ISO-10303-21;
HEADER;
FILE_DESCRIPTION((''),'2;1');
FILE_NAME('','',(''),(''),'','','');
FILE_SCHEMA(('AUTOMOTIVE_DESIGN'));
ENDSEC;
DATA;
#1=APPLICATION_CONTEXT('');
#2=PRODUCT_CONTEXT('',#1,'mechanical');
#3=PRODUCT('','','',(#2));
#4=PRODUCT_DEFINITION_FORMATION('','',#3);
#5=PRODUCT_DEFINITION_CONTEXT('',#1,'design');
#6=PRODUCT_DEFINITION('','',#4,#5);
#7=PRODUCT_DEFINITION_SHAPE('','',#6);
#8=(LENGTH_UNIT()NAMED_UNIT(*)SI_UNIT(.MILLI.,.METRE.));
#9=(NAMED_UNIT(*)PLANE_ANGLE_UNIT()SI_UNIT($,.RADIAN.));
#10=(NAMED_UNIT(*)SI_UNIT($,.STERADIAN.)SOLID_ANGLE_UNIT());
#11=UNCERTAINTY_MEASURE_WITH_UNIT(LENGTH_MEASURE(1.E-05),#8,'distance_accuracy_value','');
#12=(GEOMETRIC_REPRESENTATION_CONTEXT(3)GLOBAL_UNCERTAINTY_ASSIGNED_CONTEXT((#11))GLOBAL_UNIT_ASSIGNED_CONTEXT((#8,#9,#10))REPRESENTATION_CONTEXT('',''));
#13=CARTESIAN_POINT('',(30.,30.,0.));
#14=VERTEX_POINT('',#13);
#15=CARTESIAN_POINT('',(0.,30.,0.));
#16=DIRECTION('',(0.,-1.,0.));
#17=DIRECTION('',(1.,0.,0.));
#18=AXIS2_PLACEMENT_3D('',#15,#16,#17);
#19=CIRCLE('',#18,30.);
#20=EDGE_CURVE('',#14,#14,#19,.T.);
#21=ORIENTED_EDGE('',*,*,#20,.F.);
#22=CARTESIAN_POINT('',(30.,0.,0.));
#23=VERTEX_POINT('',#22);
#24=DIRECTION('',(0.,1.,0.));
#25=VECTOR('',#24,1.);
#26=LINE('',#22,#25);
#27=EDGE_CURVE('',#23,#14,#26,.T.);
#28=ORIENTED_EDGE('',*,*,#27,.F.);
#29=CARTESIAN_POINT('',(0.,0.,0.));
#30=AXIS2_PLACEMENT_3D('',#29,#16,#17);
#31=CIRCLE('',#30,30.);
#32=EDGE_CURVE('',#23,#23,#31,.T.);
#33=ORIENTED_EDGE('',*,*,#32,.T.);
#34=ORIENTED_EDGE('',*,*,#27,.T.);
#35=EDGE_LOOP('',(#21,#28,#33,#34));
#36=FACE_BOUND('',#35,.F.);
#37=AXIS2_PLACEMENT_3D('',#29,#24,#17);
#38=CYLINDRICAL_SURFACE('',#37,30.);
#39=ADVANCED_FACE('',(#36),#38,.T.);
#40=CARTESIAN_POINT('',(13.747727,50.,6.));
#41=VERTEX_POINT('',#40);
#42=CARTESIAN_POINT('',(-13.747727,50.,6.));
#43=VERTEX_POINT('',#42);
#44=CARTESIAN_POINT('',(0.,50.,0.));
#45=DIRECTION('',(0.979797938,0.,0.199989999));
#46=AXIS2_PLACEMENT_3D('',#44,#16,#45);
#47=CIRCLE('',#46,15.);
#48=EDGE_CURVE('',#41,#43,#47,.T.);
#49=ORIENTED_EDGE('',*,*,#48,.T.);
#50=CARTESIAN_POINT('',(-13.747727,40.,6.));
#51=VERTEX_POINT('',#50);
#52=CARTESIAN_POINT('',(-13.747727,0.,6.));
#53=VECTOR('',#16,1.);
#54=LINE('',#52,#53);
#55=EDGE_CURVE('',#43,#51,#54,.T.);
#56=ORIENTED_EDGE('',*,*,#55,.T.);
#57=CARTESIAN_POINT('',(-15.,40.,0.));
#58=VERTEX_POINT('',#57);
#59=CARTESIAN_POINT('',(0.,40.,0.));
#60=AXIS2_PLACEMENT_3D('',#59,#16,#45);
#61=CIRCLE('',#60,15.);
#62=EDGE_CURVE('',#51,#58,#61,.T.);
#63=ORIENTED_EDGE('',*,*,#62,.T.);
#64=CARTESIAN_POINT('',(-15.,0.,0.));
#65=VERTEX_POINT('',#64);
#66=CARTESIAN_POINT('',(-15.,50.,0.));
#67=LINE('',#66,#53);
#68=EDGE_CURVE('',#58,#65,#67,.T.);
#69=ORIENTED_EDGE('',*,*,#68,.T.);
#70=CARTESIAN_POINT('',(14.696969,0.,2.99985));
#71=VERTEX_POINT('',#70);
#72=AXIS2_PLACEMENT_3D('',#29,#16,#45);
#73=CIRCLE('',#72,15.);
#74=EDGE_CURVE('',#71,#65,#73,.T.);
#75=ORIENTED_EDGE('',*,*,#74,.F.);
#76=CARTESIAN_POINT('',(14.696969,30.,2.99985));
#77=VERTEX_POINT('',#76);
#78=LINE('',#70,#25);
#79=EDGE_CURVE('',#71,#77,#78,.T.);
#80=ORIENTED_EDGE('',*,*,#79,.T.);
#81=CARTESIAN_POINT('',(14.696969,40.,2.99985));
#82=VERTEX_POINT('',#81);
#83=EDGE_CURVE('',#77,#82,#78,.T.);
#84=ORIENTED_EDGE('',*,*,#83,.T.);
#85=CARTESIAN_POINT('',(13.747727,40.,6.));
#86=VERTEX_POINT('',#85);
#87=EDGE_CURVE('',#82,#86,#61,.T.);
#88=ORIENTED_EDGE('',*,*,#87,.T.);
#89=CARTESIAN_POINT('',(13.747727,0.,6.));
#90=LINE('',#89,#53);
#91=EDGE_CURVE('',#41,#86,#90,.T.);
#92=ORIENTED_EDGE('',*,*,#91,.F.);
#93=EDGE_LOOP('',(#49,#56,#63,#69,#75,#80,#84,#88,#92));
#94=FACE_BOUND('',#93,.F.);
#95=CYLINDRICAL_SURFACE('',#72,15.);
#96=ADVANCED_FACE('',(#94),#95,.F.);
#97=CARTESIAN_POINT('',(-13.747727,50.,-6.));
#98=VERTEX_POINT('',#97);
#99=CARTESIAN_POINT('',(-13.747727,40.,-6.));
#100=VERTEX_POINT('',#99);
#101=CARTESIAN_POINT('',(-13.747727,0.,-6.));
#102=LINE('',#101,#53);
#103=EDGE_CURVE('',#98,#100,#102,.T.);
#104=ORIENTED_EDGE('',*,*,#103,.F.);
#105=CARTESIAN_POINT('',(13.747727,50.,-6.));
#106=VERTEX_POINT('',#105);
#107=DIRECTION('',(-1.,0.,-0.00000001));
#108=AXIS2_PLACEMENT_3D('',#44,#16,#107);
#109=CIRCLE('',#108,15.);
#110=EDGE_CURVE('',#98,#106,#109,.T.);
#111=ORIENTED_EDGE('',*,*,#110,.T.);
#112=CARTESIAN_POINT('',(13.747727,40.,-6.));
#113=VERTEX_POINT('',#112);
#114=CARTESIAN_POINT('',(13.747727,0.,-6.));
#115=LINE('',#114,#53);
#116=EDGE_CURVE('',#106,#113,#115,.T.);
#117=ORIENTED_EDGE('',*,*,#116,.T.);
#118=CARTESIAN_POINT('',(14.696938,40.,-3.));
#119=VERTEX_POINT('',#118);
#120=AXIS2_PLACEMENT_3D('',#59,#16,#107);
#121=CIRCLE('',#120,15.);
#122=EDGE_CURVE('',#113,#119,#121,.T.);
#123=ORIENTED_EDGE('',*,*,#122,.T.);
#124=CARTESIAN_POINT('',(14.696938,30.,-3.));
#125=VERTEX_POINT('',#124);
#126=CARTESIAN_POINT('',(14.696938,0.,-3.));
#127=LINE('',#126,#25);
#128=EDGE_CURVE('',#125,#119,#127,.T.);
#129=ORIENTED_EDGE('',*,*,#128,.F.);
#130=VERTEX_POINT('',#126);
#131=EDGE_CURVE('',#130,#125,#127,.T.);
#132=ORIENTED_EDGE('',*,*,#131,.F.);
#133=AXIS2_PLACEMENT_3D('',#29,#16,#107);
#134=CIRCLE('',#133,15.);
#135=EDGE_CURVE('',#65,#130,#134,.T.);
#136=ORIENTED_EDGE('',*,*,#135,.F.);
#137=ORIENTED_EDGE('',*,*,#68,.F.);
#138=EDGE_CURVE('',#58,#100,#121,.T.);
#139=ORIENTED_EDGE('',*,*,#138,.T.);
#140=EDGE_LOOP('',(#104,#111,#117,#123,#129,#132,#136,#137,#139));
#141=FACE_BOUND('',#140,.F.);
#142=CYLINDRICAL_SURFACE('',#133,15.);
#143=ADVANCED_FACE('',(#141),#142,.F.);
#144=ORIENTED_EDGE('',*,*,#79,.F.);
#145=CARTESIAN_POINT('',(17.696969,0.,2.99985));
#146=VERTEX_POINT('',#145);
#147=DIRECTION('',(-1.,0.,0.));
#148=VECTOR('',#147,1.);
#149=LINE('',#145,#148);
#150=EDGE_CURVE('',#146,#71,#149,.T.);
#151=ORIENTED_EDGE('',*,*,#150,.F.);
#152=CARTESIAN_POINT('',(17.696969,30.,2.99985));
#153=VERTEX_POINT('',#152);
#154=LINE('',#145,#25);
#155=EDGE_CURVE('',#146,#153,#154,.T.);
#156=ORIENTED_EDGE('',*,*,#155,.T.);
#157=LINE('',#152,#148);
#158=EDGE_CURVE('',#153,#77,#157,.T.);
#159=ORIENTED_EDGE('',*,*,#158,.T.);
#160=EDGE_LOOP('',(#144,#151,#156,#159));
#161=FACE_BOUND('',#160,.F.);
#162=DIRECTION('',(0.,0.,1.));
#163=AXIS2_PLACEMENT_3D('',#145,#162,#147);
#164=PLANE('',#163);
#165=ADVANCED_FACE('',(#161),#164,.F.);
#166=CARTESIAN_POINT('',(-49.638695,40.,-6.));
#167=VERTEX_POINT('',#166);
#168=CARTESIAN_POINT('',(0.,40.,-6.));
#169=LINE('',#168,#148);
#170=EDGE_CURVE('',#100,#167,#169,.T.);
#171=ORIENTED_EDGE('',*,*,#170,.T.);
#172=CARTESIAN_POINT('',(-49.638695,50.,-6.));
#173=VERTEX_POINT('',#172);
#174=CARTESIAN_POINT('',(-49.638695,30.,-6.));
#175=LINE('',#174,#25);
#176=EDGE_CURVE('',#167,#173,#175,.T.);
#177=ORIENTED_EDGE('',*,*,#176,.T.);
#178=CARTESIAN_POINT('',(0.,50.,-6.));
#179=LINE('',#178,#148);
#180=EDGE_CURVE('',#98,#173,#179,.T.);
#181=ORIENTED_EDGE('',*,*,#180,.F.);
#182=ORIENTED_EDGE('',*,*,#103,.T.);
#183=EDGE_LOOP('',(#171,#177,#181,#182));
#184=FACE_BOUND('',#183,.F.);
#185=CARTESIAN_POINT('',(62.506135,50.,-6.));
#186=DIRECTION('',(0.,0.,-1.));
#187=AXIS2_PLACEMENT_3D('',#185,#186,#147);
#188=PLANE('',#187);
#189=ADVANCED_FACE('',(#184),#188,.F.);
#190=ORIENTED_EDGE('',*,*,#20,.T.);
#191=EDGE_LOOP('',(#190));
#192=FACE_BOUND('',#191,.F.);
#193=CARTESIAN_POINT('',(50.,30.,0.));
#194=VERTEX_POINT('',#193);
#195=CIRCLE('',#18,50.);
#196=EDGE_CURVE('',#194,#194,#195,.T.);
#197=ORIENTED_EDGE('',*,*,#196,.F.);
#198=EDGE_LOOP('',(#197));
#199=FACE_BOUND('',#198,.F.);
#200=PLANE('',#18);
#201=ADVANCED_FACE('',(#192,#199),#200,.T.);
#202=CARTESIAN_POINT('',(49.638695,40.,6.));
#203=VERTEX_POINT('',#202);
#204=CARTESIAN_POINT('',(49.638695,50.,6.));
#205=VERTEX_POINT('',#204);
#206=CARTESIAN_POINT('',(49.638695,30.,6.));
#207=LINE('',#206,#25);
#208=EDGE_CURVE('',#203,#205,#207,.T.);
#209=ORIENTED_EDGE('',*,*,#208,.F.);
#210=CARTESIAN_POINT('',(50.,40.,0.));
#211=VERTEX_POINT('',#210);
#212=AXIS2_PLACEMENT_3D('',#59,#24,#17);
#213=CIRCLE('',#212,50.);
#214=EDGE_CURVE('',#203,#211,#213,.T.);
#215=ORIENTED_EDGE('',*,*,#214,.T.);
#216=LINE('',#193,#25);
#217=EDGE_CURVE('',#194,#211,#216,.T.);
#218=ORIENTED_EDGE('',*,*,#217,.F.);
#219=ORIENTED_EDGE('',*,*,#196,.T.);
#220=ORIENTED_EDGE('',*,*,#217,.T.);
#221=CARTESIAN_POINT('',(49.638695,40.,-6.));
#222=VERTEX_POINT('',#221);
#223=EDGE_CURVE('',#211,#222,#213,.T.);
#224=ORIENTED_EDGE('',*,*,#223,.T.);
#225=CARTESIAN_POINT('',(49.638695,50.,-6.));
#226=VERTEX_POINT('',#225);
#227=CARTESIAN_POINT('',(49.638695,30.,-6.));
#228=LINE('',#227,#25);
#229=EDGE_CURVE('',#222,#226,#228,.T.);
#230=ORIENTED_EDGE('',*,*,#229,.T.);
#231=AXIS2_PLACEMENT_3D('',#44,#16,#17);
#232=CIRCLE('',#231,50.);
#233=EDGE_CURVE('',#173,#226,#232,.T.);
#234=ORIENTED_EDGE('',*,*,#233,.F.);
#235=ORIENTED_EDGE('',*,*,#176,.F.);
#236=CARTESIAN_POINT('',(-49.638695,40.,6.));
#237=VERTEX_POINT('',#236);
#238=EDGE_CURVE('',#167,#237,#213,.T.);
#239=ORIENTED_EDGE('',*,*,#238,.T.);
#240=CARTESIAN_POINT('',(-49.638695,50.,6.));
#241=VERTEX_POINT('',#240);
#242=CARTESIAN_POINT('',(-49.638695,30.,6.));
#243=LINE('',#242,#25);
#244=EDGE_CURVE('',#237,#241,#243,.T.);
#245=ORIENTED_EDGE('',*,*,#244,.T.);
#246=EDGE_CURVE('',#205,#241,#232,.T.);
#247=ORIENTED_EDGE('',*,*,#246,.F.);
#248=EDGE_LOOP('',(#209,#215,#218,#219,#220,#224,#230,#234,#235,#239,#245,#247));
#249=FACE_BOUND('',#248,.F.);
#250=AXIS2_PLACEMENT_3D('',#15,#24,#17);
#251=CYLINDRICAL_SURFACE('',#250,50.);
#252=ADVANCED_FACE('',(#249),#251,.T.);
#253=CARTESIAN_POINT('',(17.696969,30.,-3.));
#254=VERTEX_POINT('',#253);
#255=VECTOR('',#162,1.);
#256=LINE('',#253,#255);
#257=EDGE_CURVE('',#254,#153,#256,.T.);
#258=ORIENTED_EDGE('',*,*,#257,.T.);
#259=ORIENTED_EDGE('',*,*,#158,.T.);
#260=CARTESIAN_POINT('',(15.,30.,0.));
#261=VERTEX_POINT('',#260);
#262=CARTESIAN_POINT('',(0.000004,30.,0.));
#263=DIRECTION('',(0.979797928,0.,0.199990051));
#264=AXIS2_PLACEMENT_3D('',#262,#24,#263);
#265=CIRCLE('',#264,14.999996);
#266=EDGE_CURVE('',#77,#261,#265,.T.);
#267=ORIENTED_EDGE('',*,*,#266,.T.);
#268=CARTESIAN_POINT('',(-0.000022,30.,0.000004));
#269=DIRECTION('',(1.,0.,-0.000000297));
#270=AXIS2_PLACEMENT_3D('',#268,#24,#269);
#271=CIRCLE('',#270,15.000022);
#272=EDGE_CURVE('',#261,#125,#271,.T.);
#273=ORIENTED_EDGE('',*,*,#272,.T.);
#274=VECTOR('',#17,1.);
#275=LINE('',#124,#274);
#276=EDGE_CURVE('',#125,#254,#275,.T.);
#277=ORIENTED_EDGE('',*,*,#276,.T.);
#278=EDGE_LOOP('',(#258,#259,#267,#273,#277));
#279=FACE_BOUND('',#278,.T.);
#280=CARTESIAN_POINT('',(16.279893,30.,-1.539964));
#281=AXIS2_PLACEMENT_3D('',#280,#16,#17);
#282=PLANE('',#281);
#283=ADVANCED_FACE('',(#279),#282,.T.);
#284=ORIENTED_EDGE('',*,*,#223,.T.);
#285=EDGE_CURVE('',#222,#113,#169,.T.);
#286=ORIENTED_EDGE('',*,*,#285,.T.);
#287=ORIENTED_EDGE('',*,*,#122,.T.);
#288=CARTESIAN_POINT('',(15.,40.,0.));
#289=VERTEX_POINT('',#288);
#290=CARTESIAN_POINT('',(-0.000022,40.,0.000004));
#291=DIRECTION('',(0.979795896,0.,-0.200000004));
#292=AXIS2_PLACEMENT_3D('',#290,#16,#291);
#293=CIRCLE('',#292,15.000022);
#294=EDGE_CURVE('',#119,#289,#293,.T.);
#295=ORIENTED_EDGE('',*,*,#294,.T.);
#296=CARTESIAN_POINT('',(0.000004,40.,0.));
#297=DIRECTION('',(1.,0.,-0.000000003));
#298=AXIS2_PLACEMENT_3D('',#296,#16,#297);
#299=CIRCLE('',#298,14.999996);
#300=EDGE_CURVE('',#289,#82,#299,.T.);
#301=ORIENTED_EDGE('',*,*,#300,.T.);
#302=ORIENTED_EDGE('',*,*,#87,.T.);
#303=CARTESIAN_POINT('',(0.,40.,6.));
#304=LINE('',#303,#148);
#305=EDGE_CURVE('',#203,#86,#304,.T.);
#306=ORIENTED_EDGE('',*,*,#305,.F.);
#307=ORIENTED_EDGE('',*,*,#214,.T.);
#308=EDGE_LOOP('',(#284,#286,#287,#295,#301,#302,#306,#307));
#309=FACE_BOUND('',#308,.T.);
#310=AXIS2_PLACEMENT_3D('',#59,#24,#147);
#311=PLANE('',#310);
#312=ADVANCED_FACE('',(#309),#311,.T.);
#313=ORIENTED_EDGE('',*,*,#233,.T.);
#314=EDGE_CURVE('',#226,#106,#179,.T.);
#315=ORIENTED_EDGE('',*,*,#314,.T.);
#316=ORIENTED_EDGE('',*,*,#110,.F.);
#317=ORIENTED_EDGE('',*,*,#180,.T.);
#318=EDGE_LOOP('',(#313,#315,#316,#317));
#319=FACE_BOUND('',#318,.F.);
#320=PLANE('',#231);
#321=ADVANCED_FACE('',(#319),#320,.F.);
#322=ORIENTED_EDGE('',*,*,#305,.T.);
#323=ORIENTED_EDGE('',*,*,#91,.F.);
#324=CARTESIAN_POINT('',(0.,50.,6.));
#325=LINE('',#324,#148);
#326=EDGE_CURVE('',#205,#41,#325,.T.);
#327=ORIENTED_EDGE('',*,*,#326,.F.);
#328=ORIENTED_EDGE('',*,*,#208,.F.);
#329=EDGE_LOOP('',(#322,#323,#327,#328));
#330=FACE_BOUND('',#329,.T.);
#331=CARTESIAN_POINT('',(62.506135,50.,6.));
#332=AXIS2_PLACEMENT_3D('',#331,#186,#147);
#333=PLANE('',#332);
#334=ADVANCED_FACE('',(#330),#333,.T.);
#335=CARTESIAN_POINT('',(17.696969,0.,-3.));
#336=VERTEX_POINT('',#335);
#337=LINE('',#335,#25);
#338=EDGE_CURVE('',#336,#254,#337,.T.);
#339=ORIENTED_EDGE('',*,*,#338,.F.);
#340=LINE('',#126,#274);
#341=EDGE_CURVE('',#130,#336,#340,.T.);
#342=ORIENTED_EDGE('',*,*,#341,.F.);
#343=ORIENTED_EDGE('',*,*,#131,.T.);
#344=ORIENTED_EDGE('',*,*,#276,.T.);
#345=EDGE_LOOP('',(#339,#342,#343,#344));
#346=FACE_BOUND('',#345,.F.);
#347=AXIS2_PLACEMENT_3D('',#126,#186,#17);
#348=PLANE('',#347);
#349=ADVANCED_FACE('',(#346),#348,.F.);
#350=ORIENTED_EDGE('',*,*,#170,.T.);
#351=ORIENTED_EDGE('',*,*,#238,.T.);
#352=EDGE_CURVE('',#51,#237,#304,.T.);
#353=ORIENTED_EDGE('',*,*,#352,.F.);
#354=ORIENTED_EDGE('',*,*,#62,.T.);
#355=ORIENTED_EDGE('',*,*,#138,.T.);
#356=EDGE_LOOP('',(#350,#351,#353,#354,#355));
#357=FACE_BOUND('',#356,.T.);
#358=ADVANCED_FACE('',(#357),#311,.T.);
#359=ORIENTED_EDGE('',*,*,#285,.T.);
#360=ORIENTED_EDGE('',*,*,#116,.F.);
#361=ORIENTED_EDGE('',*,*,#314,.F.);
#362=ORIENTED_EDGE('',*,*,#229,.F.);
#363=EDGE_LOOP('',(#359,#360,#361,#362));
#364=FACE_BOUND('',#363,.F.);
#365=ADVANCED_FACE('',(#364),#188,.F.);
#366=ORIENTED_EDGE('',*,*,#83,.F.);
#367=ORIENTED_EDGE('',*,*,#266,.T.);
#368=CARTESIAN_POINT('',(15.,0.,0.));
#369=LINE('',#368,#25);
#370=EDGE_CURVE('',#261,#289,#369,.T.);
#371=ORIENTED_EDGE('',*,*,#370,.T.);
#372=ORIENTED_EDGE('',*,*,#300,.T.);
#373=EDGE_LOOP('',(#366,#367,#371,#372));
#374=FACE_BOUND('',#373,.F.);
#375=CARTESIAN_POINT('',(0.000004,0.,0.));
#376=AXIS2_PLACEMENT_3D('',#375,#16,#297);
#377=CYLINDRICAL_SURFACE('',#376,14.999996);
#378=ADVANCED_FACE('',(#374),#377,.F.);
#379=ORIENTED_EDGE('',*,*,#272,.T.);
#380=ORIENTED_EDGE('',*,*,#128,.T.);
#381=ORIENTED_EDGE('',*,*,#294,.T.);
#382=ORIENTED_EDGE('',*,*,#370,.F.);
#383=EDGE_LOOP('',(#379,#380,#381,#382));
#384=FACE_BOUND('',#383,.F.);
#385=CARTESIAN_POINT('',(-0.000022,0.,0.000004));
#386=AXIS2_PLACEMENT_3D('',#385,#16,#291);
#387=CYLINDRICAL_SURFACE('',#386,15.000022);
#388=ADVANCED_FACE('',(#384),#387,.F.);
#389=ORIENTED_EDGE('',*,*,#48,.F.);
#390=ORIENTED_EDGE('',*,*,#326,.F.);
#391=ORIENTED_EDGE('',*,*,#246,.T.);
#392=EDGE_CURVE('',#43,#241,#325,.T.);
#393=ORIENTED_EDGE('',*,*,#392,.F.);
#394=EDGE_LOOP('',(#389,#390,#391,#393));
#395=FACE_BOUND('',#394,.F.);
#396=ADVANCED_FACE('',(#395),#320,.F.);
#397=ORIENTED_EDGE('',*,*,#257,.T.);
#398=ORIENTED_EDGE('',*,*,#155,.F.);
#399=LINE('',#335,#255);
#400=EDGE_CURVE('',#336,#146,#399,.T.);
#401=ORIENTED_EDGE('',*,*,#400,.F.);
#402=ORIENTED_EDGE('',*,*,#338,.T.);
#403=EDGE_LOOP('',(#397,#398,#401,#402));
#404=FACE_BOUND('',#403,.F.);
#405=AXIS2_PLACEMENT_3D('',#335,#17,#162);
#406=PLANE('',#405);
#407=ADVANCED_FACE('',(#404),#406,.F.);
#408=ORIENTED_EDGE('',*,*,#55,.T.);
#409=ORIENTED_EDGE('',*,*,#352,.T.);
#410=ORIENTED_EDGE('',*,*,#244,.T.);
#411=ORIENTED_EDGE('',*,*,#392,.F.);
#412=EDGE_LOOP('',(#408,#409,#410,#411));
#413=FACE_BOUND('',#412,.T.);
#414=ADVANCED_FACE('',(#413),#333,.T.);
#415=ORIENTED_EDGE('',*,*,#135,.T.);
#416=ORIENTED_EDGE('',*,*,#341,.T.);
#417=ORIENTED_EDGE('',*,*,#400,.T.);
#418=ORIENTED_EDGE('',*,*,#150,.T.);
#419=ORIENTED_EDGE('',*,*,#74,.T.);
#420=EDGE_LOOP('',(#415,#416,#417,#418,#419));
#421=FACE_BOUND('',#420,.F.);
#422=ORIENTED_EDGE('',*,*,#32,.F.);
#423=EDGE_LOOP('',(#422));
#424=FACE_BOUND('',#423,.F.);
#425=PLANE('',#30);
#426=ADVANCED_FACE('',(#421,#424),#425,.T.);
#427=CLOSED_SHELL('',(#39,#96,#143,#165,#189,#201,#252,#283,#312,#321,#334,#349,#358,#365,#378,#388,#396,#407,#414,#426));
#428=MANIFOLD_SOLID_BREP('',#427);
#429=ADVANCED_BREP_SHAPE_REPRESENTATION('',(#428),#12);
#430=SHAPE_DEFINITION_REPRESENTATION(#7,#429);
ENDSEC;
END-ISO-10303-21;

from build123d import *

# Parameters (mm, degrees)
F3_DEPTH = 50.001
F4_DEPTH = 30
F5_W     = 125.01227
F5_H     = 12
F6_DEPTH = 10


with BuildPart() as f1:
    # F0 (on Top) → F1 (revolve)
    with BuildSketch(Plane.XY):
        Polygon((0, 50), (0, 0), (30, 0), (30, 30), (50, 30), (50, 50), align=None)
    revolve(axis=Axis((0, 25, 0), (0, -1, 0)))

    # F2 (on face) → F3 (cut, through all)
    with BuildSketch(Plane.XZ):
        with BuildLine():
            Line((9.729625, 0), (15, 0))
            ThreePointArc((15, 0), (14.92405, 1.507558), (14.696969, 2.99985))
            Line((14.696969, 2.99985), (9.649316, 2.99985))
            Line((9.649316, 2.99985), (9.729625, 0))
        make_face()
        with BuildLine():
            ThreePointArc((-15, 0), (-1.507634, -14.924042), (14.696938, -3))
            Line((14.696938, -3), (9.809938, -3))
            Line((9.809938, -3), (9.729625, 0))
            Line((9.729625, 0), (-15, 0))
        make_face()
        with BuildLine():
            ThreePointArc((14.696938, -3), (14.924042, -1.507634), (15, 0))
            Line((15, 0), (9.729625, 0))
            Line((9.729625, 0), (9.809938, -3))
            Line((9.809938, -3), (14.696938, -3))
        make_face()
        with BuildLine():
            Line((9.649316, 2.99985), (14.696969, 2.99985))
            ThreePointArc((14.696969, 2.99985), (-1.507558, 14.92405), (-15, 0))
            Line((-15, 0), (9.729625, 0))
            Line((9.729625, 0), (9.649316, 2.99985))
        make_face()
    extrude(amount=-F3_DEPTH, mode=Mode.SUBTRACT)

    # F2 (on face) → F4 (cut)
    with BuildSketch(Plane.XZ):
        with BuildLine():
            Line((17.696969, 0), (15, 0))
            ThreePointArc((15, 0), (14.924042, -1.507634), (14.696938, -3))
            Line((14.696938, -3), (17.696969, -3))
            Line((17.696969, -3), (17.696969, 0))
        make_face()
        with BuildLine():
            ThreePointArc((14.696969, 2.99985), (14.92405, 1.507558), (15, 0))
            Line((15, 0), (17.696969, 0))
            Line((17.696969, 0), (17.696969, 2.99985))
            Line((17.696969, 2.99985), (14.696969, 2.99985))
        make_face()
        with BuildLine():
            Line((9.649316, 2.99985), (14.696969, 2.99985))
            ThreePointArc((14.696969, 2.99985), (-1.507558, 14.92405), (-15, 0))
            Line((-15, 0), (9.729625, 0))
            Line((9.729625, 0), (9.649316, 2.99985))
        make_face()
        with BuildLine():
            ThreePointArc((-15, 0), (-1.507634, -14.924042), (14.696938, -3))
            Line((14.696938, -3), (9.809938, -3))
            Line((9.809938, -3), (9.729625, 0))
            Line((9.729625, 0), (-15, 0))
        make_face()
    extrude(amount=-F4_DEPTH, mode=Mode.SUBTRACT)

    # F5 (on face) → F6 (cut)
    with BuildSketch(Plane(origin=(0, 50, 0), x_dir=(-1, 0, 0), z_dir=(0, 1, 0))):
        Rectangle(F5_W, F5_H)
    extrude(amount=-F6_DEPTH, mode=Mode.SUBTRACT)


solid = f1.part
